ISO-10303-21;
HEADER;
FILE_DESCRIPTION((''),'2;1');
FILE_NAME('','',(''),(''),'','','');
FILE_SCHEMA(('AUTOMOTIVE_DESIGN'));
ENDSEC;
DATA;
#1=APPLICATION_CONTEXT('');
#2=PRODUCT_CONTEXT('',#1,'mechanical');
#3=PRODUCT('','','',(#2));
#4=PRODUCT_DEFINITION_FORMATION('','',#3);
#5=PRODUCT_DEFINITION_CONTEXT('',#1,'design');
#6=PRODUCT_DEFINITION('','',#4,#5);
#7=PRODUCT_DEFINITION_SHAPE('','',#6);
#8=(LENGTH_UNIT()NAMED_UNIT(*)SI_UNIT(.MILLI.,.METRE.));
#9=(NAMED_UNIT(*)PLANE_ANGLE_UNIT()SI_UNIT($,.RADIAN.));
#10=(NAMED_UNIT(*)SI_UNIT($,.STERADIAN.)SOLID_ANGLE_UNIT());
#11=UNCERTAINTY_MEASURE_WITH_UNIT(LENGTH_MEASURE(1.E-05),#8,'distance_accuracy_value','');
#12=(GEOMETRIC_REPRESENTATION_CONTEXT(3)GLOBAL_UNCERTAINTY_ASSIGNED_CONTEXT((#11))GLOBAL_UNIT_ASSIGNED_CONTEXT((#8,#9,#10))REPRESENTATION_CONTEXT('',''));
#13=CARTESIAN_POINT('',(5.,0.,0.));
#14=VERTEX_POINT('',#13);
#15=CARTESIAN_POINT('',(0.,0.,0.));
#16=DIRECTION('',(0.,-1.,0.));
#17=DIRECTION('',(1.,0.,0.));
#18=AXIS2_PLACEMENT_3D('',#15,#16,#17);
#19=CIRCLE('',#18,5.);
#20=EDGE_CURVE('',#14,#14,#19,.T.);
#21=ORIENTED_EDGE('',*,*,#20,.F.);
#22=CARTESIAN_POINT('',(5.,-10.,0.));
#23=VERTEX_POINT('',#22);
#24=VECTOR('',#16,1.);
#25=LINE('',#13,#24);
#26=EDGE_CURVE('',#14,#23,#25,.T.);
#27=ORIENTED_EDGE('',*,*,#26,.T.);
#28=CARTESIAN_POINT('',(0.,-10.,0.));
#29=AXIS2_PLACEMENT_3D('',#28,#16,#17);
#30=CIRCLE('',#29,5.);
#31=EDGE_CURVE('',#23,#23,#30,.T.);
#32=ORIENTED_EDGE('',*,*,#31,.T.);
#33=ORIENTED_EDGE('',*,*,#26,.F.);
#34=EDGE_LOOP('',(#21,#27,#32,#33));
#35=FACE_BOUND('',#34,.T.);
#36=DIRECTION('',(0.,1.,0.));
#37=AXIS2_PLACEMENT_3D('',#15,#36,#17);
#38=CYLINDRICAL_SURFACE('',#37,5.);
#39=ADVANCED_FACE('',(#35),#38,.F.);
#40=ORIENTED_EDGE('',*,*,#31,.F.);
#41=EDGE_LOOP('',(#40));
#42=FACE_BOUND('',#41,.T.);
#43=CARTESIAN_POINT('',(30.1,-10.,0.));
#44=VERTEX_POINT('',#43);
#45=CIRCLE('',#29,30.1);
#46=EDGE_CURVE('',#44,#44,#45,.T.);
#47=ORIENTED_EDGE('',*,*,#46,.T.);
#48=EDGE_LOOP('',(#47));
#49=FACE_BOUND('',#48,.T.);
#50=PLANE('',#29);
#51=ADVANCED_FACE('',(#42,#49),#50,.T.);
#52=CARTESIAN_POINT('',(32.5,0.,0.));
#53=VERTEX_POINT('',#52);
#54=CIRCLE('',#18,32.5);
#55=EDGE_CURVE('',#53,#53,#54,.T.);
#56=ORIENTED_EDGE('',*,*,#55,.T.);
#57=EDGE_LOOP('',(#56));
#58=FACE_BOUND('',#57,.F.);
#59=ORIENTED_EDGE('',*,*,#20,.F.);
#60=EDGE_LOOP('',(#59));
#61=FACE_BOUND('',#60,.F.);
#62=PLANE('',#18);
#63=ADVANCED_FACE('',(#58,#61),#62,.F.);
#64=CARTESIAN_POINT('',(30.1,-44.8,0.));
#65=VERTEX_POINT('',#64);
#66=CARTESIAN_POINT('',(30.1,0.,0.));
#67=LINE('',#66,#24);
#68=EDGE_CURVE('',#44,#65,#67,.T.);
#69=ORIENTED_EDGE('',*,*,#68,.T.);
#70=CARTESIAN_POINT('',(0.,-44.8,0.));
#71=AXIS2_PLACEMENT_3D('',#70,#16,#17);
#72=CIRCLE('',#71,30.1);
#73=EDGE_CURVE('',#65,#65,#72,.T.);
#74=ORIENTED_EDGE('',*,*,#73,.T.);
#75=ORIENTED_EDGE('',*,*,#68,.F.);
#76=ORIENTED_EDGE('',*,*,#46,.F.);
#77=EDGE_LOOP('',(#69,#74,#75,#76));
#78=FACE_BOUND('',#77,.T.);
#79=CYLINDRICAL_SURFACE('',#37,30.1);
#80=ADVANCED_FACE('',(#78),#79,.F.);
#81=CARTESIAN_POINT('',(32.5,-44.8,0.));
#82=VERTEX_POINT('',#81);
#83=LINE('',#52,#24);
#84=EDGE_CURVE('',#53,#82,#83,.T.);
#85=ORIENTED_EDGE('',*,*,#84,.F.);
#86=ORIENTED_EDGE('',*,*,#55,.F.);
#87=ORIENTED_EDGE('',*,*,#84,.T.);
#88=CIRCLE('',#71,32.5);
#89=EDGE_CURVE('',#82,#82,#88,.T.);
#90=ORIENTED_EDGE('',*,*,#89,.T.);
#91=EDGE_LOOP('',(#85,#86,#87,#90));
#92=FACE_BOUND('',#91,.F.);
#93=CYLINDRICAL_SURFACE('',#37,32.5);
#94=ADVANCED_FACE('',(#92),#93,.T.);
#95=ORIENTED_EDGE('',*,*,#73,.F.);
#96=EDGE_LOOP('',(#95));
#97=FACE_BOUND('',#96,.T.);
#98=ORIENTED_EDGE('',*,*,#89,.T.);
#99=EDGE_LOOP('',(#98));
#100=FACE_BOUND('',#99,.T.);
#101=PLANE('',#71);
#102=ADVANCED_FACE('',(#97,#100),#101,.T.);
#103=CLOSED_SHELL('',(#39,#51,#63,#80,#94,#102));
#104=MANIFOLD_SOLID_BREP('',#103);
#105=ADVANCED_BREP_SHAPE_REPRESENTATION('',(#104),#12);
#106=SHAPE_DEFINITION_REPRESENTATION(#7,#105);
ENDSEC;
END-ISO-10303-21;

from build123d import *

# Parameters (mm, degrees)
F0_R     = 32.5
F0_R_2   = 30.1
F1_DEPTH = 44.8
F2_R     = 30.1
F2_R_2   = 5
F3_DEPTH = 10


with BuildPart() as f1:
    # F0 (on Front) → F1 (new body)
    with BuildSketch(Plane.XZ):
        Circle(F0_R)
        Circle(F0_R_2, mode=Mode.SUBTRACT)
    extrude(amount=F1_DEPTH)

    # F2 (on Front) → F3 (join)
    with BuildSketch(Plane.XZ):
        Circle(F2_R)
        Circle(F2_R_2, mode=Mode.SUBTRACT)
    extrude(amount=F3_DEPTH)


solid = f1.part
